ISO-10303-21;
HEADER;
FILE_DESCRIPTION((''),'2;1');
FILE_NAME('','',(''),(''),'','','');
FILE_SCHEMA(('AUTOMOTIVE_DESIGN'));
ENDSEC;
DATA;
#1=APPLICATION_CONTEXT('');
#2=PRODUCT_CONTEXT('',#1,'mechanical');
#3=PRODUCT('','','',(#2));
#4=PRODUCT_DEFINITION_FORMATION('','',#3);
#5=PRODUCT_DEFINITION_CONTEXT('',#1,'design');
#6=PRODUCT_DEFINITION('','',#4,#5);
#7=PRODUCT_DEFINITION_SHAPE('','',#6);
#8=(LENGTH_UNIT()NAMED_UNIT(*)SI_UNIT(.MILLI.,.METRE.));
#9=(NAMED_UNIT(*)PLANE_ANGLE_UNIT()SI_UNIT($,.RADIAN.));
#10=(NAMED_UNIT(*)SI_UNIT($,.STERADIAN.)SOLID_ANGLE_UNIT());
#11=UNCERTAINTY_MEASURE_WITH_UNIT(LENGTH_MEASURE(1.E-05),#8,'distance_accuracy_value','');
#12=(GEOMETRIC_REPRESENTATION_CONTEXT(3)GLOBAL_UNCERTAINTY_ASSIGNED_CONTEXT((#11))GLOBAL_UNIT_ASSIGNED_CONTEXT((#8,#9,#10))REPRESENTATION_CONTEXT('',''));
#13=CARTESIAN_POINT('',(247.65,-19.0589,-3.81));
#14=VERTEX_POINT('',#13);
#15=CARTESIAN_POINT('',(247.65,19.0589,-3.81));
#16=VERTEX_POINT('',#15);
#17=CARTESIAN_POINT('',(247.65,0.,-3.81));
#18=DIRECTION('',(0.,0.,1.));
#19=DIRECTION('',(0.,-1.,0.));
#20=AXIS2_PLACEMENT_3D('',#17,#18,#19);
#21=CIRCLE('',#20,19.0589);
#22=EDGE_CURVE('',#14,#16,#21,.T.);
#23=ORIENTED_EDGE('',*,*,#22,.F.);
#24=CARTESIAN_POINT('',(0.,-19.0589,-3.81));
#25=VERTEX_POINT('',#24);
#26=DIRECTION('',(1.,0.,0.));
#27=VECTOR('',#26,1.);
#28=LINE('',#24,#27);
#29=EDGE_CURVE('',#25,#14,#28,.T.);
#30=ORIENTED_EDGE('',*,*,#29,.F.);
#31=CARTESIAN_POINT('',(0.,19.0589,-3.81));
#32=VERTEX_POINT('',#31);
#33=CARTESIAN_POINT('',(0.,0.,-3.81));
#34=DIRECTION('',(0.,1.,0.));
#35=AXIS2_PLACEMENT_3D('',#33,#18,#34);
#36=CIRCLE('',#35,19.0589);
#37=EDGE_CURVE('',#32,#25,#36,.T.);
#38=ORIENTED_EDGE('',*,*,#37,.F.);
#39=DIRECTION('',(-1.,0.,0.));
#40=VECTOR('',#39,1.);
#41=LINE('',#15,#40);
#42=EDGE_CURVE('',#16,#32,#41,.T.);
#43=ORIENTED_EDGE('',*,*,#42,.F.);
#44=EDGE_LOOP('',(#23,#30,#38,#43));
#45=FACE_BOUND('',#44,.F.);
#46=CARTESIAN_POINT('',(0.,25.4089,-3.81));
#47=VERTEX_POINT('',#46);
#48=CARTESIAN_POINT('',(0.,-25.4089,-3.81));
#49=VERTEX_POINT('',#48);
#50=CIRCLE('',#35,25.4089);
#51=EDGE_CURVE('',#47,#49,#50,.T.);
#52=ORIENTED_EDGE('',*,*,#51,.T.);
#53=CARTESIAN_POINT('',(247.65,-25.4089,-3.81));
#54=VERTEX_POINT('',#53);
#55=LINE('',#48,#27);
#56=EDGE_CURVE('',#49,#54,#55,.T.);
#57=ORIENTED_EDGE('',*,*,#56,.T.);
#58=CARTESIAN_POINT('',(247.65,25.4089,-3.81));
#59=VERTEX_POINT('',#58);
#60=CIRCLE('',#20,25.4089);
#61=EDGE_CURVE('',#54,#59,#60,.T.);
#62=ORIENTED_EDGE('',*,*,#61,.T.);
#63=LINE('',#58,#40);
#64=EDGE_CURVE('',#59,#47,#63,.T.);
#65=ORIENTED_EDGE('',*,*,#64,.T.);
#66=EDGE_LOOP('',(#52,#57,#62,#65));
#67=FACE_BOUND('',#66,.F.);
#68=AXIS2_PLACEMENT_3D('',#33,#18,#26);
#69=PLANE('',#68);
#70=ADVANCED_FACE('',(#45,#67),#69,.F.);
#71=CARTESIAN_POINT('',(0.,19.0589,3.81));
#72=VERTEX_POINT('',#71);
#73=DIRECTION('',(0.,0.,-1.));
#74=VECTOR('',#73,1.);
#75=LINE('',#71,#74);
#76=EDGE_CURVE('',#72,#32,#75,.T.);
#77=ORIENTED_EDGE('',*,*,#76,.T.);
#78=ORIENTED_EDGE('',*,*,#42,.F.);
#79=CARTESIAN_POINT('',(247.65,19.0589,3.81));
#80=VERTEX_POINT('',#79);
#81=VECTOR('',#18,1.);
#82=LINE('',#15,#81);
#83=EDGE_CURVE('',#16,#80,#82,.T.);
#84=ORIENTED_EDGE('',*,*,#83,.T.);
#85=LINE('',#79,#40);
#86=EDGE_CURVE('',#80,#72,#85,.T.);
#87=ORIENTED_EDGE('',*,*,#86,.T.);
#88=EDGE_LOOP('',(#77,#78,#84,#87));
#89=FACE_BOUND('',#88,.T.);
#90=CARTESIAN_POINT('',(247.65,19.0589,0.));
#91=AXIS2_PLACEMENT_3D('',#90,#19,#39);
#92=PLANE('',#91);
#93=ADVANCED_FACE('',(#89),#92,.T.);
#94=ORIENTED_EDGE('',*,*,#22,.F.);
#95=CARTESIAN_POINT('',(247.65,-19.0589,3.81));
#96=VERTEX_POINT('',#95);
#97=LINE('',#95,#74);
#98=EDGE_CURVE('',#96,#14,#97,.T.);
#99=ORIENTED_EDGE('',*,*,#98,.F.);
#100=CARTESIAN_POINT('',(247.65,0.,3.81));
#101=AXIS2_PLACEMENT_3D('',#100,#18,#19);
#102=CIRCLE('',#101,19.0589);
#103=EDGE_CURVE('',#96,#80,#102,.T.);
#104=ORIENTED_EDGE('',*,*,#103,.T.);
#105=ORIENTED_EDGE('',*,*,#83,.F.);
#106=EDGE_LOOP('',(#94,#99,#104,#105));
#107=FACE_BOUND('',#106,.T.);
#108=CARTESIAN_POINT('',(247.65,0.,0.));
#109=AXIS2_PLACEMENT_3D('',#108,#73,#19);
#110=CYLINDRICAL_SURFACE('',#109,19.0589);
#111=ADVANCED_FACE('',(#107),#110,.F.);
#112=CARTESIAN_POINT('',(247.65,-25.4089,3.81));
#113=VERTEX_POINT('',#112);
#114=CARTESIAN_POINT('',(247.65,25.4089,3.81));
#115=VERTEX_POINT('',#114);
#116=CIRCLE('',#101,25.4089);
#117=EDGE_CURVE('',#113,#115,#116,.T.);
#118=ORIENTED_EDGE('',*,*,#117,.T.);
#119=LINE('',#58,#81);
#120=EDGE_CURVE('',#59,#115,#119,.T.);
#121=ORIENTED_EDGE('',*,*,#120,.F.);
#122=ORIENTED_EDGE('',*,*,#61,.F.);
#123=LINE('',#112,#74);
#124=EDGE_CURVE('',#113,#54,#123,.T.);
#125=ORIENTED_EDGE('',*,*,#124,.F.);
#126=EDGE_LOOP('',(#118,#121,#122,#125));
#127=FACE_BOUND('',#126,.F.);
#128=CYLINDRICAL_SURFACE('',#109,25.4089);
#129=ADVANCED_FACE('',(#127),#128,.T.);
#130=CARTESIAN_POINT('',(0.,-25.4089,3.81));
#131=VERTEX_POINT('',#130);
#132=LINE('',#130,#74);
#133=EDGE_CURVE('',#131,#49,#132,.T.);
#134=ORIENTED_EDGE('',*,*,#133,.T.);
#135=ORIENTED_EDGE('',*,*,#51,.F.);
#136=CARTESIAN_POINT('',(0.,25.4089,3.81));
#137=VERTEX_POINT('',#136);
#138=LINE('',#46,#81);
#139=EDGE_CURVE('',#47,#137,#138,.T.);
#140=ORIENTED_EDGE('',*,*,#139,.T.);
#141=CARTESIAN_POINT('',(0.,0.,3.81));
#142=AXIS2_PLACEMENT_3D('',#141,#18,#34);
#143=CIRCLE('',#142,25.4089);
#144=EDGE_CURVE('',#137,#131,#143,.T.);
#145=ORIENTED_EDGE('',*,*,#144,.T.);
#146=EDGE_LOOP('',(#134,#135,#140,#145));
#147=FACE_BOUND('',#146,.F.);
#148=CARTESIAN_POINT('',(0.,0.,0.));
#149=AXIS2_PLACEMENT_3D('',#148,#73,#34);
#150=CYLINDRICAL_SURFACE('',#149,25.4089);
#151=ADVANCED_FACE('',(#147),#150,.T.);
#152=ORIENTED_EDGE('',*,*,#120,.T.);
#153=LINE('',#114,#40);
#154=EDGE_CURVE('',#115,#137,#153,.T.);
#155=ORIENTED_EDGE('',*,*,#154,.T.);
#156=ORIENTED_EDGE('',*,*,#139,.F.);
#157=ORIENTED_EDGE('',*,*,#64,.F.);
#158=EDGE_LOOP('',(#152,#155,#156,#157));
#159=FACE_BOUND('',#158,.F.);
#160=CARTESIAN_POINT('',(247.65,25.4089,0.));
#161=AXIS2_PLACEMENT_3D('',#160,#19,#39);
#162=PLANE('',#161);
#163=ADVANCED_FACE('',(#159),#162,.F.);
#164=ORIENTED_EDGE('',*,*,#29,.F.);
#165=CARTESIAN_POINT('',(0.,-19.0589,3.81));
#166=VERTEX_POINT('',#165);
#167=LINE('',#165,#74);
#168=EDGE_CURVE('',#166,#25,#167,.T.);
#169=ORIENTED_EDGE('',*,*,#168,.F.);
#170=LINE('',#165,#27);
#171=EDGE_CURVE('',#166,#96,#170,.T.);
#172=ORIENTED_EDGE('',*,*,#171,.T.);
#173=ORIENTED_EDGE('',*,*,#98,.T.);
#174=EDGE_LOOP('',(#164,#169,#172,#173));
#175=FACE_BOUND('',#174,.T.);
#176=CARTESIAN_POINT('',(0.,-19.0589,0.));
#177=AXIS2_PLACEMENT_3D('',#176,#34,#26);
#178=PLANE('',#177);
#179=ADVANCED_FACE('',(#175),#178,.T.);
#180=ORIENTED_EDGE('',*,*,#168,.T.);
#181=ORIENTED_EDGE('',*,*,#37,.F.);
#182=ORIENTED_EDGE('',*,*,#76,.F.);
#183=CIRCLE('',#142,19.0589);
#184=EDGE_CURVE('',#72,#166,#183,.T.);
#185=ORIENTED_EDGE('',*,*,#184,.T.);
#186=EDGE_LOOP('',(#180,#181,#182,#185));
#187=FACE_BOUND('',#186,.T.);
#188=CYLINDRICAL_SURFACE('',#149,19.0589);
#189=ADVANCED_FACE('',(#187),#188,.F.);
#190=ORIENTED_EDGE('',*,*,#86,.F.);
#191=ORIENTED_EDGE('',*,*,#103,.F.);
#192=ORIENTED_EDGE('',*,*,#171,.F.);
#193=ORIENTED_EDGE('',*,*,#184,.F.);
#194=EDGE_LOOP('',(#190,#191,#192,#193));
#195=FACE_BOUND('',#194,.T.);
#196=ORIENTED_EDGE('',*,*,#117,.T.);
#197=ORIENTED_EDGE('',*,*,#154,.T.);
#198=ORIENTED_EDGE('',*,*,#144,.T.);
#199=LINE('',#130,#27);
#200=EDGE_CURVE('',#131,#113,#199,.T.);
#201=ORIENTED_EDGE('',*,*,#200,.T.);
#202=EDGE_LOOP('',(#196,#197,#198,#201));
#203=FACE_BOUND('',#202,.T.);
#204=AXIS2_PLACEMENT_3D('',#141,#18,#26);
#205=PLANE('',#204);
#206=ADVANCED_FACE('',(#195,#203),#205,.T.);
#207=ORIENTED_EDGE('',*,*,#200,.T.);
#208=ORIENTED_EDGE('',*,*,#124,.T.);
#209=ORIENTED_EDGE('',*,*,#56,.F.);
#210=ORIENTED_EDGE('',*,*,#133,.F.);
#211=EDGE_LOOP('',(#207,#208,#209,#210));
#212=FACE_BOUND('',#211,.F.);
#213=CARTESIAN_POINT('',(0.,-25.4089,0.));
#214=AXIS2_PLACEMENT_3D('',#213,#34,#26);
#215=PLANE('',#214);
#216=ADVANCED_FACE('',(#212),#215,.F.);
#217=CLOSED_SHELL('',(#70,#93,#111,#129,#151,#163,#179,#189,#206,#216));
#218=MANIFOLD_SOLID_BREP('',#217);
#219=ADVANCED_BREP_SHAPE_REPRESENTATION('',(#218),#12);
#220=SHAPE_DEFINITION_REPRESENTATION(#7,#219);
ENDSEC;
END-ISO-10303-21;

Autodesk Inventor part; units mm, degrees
ref_plane "YZ Plane" through (0, 0, 0) normal (1, 0, 0) x (0, 1, 0)
ref_plane "XZ Plane" through (0, 0, 0) normal (0, 1, 0) x (-1, 0, 0)
ref_plane "XY Plane" through (0, 0, 0) normal (0, 0, 1) x (1, 0, 0)
sketch "Sketch1" plane through (0, 0, 0) normal (0, 0, 1) x (1, 0, 0)
  line L0 (0, 22.2339) -> (247.65, 22.2339) construction
  line L1 (0, -22.2339) -> (247.65, -22.2339) construction
  arc A0 (0, 22.2339) -> (0, -22.2339) centre (0, 0) ccw construction
  line L2 (0, 0) -> (247.65, 0) construction
  arc A1 (247.65, -22.2339) -> (247.65, 22.2339) centre (247.65, 0) ccw construction
  line L3 (247.65, 25.4089) -> (0, 25.4089)
  arc A2 (0, 25.4089) -> (0, -25.4089) centre (0, 0) ccw
  line L4 (0, -25.4089) -> (247.65, -25.4089)
  arc A3 (247.65, -25.4089) -> (247.65, 25.4089) centre (247.65, 0) ccw
  line L5 (247.65, 19.0589) -> (0, 19.0589)
  arc A4 (0, 19.0589) -> (0, -19.0589) centre (0, 0) ccw
  line L6 (0, -19.0589) -> (247.65, -19.0589)
  arc A5 (247.65, -19.0589) -> (247.65, 19.0589) centre (247.65, 0) ccw
  dimension "d1" = 22.234
  dimension "d2" = 22.234
  dimension "d3" = 3.175
  dimension "d4" = 3.175
  dimension "CtoC" = 247.65
extrude "Extrusion1" add sketch "Sketch1" along normal mid plane 7.62
properties part number "25 Chain Template" material "Silicon Nitride"
